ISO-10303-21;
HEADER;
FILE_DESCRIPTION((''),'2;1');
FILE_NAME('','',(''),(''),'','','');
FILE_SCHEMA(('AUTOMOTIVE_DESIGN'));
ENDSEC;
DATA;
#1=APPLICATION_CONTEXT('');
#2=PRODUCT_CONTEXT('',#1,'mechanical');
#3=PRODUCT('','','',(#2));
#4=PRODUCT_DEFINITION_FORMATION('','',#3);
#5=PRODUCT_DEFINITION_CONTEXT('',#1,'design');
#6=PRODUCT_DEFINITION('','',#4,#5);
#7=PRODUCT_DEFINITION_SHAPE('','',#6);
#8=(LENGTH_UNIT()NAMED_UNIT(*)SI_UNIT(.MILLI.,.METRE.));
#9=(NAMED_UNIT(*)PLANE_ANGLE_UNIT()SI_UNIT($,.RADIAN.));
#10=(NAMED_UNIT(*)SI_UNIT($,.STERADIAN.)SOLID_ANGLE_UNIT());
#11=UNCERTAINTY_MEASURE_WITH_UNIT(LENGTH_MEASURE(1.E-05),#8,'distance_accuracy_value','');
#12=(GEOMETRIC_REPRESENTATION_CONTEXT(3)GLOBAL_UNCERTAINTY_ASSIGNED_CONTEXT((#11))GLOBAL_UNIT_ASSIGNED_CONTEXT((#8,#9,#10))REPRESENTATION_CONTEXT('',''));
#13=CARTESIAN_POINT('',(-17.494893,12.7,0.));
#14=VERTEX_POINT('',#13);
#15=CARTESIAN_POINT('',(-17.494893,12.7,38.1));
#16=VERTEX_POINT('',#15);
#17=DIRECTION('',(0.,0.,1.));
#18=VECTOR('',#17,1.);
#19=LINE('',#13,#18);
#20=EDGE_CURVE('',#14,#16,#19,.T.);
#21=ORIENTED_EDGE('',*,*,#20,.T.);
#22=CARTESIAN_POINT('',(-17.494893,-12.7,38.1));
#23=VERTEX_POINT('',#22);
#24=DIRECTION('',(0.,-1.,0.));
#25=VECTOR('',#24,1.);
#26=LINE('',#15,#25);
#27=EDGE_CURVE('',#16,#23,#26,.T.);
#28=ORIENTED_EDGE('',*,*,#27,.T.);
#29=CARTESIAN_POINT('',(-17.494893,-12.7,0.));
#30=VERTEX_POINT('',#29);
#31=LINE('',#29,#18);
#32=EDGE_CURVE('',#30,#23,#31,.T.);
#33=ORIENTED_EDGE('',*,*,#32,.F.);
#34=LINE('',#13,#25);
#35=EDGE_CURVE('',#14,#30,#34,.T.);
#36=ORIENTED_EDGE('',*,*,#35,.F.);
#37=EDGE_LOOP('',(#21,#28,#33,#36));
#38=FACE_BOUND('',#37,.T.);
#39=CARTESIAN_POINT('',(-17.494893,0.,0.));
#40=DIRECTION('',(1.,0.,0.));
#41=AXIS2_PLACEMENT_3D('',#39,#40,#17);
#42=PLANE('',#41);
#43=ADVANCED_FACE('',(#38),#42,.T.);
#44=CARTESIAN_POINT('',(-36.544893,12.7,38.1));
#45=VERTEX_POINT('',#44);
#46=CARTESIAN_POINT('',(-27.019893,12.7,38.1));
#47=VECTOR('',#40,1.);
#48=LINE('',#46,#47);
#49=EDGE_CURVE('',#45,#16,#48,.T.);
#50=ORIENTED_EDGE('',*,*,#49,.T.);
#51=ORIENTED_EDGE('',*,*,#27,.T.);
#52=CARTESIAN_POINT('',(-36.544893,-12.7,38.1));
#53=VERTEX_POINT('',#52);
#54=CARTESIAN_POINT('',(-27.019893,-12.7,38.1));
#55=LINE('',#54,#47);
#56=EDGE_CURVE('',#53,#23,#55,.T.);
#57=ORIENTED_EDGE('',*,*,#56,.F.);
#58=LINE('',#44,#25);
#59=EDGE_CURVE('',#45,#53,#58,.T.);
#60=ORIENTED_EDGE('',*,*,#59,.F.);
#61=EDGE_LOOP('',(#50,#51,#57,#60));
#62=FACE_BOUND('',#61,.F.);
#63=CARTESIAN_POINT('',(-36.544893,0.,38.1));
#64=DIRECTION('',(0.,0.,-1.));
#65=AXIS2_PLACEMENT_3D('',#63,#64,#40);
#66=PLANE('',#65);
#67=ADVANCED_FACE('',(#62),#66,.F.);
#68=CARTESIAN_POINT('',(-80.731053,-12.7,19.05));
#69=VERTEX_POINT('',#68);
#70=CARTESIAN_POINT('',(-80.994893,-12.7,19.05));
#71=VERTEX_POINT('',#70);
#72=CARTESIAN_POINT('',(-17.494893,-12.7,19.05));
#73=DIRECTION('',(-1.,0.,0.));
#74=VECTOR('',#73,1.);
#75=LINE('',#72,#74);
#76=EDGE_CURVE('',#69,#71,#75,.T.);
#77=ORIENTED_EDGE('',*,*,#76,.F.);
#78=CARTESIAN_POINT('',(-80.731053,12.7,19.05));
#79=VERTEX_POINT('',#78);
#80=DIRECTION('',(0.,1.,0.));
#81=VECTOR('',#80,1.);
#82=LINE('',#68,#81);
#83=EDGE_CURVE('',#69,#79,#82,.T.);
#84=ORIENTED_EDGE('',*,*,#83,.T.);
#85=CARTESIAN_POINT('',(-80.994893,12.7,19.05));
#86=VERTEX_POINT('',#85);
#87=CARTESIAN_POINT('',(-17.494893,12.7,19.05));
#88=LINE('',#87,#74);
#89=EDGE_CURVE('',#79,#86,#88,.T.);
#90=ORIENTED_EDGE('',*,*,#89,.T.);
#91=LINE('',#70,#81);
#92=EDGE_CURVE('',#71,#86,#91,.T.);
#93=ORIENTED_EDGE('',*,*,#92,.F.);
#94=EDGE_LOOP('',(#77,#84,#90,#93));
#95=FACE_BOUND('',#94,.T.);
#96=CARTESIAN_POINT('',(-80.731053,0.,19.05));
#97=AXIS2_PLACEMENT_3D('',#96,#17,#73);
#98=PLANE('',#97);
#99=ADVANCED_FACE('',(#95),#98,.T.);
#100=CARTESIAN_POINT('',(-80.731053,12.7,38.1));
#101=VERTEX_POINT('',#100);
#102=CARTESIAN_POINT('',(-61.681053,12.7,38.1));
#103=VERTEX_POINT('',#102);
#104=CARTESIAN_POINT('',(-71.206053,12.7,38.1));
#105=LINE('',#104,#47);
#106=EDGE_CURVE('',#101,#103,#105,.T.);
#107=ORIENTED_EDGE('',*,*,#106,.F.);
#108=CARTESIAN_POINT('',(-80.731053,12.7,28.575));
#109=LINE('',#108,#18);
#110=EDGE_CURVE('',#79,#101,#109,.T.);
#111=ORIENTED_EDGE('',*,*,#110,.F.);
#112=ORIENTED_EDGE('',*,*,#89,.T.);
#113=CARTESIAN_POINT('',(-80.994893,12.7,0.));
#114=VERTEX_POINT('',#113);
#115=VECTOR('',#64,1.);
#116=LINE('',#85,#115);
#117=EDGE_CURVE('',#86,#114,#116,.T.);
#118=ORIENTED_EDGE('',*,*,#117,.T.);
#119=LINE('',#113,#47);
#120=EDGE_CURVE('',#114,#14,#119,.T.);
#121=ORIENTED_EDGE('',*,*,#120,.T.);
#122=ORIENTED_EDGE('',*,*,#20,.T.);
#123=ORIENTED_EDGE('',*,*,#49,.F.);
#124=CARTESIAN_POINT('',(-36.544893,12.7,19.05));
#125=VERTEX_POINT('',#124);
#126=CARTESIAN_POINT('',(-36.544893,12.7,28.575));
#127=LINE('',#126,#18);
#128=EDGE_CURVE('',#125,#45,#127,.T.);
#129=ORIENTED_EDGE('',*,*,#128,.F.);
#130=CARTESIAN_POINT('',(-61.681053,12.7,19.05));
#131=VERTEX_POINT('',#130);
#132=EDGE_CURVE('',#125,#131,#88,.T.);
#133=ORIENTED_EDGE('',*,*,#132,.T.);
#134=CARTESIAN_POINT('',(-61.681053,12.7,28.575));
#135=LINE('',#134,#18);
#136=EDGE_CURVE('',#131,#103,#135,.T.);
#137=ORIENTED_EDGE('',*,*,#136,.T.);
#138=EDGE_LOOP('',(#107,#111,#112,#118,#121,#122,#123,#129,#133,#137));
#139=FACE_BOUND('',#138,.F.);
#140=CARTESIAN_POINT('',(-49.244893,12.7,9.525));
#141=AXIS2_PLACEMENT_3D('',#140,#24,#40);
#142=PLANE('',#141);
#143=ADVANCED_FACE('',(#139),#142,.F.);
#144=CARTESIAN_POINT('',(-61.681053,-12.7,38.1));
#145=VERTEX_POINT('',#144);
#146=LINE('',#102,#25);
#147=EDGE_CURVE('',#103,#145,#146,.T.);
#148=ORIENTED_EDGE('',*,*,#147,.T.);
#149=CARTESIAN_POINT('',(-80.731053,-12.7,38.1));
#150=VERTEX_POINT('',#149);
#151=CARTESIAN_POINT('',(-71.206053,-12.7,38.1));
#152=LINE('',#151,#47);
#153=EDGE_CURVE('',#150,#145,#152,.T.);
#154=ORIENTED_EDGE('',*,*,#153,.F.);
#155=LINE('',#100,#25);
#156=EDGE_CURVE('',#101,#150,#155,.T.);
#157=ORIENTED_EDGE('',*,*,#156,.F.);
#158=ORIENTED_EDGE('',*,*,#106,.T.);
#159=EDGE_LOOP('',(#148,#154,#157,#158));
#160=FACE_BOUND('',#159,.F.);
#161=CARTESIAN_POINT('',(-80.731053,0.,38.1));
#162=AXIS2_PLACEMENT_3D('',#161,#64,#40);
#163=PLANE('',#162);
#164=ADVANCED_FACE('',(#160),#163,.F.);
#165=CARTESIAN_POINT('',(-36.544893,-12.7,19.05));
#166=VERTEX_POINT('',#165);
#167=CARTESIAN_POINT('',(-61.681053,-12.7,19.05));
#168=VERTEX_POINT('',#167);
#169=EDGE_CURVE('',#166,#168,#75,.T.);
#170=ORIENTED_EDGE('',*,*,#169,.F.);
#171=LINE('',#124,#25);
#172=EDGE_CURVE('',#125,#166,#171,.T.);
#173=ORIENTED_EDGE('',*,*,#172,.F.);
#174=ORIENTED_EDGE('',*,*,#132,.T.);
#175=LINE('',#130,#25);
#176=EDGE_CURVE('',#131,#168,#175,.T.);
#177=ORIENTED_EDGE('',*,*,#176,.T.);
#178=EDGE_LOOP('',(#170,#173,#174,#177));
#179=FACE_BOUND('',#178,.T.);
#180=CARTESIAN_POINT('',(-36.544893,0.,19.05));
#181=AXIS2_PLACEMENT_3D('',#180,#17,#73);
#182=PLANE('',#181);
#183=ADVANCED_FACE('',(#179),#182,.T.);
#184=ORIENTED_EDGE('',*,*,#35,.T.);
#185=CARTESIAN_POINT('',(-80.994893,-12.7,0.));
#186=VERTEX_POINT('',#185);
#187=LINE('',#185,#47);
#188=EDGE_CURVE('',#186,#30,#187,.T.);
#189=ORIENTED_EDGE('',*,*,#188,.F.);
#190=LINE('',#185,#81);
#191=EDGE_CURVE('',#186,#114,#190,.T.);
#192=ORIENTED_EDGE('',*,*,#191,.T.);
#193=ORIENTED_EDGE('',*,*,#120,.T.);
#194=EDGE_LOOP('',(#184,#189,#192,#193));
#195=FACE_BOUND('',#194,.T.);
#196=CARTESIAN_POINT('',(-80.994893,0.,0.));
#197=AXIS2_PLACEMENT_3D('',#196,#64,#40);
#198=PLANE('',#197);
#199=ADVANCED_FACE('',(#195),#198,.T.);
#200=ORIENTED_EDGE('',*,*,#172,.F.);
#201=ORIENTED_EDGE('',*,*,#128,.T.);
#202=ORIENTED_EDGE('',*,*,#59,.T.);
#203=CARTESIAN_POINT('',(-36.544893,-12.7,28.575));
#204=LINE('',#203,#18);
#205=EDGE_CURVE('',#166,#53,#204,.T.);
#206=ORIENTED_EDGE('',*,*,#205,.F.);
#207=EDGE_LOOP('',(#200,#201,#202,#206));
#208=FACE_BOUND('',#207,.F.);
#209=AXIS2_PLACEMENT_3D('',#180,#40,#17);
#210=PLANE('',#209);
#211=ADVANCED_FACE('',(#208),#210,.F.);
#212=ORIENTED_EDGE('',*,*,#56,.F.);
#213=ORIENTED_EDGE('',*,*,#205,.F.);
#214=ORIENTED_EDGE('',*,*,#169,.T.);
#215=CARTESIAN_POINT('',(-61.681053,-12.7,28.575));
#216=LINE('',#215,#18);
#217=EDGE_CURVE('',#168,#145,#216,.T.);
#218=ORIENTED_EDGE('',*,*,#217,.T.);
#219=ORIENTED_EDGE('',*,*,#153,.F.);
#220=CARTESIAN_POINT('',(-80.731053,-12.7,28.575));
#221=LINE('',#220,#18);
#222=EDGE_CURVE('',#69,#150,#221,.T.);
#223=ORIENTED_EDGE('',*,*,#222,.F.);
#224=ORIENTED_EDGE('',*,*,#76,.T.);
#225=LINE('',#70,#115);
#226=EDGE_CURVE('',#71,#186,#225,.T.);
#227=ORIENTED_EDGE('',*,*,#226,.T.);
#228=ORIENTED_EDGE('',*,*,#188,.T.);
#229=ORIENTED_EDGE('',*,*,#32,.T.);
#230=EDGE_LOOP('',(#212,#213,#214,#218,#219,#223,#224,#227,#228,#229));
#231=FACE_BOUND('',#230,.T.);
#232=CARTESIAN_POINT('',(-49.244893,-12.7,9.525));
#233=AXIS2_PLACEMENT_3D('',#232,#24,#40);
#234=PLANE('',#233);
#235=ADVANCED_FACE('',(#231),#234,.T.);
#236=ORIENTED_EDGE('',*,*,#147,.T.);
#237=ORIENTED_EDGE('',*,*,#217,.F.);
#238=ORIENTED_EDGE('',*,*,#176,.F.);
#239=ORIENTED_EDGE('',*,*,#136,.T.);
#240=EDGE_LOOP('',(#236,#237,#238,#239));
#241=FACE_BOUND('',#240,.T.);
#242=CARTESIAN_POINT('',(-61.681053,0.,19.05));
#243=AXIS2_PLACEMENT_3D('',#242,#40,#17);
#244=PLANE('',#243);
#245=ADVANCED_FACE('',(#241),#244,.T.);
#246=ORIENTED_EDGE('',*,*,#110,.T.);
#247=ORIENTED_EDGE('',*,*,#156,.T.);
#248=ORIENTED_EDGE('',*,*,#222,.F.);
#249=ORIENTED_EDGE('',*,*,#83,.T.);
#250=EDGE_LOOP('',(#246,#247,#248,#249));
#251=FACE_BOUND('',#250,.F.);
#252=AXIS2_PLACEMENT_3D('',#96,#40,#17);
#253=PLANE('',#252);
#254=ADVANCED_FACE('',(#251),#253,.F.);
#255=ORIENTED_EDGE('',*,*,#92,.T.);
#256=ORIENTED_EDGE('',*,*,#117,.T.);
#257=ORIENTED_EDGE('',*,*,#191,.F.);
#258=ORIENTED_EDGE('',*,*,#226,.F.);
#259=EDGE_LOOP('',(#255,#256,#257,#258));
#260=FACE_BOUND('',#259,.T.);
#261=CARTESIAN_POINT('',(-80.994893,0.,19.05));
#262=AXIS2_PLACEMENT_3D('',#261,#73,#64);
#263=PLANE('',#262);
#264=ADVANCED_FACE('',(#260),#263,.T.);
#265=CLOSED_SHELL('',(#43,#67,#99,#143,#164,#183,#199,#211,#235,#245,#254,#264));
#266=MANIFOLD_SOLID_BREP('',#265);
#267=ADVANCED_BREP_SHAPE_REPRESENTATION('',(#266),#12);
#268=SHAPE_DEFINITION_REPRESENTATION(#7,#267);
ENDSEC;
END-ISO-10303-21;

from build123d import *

# Parameters (mm, degrees)
F0_W     = 19.05
F0_H     = 19.05
F1_DEPTH = 12.7


with BuildPart() as f1:
    # F0 (on Front) → F1 (new body, symmetric)
    with BuildSketch(Plane.XZ):
        Polygon((-80.994893, 0), (-17.494893, 0), (-17.494893, 19.05), (-36.544893, 19.05), (-61.681053, 19.05), (-80.731053, 19.05), (-80.994893, 19.05), align=None)
        with Locations((-27.019893, 28.575)):
            Rectangle(F0_W, F0_H)
        with Locations((-71.206053, 28.575)):
            Rectangle(F0_W, F0_H)
    extrude(amount=F1_DEPTH, both=True)


solid = f1.part
